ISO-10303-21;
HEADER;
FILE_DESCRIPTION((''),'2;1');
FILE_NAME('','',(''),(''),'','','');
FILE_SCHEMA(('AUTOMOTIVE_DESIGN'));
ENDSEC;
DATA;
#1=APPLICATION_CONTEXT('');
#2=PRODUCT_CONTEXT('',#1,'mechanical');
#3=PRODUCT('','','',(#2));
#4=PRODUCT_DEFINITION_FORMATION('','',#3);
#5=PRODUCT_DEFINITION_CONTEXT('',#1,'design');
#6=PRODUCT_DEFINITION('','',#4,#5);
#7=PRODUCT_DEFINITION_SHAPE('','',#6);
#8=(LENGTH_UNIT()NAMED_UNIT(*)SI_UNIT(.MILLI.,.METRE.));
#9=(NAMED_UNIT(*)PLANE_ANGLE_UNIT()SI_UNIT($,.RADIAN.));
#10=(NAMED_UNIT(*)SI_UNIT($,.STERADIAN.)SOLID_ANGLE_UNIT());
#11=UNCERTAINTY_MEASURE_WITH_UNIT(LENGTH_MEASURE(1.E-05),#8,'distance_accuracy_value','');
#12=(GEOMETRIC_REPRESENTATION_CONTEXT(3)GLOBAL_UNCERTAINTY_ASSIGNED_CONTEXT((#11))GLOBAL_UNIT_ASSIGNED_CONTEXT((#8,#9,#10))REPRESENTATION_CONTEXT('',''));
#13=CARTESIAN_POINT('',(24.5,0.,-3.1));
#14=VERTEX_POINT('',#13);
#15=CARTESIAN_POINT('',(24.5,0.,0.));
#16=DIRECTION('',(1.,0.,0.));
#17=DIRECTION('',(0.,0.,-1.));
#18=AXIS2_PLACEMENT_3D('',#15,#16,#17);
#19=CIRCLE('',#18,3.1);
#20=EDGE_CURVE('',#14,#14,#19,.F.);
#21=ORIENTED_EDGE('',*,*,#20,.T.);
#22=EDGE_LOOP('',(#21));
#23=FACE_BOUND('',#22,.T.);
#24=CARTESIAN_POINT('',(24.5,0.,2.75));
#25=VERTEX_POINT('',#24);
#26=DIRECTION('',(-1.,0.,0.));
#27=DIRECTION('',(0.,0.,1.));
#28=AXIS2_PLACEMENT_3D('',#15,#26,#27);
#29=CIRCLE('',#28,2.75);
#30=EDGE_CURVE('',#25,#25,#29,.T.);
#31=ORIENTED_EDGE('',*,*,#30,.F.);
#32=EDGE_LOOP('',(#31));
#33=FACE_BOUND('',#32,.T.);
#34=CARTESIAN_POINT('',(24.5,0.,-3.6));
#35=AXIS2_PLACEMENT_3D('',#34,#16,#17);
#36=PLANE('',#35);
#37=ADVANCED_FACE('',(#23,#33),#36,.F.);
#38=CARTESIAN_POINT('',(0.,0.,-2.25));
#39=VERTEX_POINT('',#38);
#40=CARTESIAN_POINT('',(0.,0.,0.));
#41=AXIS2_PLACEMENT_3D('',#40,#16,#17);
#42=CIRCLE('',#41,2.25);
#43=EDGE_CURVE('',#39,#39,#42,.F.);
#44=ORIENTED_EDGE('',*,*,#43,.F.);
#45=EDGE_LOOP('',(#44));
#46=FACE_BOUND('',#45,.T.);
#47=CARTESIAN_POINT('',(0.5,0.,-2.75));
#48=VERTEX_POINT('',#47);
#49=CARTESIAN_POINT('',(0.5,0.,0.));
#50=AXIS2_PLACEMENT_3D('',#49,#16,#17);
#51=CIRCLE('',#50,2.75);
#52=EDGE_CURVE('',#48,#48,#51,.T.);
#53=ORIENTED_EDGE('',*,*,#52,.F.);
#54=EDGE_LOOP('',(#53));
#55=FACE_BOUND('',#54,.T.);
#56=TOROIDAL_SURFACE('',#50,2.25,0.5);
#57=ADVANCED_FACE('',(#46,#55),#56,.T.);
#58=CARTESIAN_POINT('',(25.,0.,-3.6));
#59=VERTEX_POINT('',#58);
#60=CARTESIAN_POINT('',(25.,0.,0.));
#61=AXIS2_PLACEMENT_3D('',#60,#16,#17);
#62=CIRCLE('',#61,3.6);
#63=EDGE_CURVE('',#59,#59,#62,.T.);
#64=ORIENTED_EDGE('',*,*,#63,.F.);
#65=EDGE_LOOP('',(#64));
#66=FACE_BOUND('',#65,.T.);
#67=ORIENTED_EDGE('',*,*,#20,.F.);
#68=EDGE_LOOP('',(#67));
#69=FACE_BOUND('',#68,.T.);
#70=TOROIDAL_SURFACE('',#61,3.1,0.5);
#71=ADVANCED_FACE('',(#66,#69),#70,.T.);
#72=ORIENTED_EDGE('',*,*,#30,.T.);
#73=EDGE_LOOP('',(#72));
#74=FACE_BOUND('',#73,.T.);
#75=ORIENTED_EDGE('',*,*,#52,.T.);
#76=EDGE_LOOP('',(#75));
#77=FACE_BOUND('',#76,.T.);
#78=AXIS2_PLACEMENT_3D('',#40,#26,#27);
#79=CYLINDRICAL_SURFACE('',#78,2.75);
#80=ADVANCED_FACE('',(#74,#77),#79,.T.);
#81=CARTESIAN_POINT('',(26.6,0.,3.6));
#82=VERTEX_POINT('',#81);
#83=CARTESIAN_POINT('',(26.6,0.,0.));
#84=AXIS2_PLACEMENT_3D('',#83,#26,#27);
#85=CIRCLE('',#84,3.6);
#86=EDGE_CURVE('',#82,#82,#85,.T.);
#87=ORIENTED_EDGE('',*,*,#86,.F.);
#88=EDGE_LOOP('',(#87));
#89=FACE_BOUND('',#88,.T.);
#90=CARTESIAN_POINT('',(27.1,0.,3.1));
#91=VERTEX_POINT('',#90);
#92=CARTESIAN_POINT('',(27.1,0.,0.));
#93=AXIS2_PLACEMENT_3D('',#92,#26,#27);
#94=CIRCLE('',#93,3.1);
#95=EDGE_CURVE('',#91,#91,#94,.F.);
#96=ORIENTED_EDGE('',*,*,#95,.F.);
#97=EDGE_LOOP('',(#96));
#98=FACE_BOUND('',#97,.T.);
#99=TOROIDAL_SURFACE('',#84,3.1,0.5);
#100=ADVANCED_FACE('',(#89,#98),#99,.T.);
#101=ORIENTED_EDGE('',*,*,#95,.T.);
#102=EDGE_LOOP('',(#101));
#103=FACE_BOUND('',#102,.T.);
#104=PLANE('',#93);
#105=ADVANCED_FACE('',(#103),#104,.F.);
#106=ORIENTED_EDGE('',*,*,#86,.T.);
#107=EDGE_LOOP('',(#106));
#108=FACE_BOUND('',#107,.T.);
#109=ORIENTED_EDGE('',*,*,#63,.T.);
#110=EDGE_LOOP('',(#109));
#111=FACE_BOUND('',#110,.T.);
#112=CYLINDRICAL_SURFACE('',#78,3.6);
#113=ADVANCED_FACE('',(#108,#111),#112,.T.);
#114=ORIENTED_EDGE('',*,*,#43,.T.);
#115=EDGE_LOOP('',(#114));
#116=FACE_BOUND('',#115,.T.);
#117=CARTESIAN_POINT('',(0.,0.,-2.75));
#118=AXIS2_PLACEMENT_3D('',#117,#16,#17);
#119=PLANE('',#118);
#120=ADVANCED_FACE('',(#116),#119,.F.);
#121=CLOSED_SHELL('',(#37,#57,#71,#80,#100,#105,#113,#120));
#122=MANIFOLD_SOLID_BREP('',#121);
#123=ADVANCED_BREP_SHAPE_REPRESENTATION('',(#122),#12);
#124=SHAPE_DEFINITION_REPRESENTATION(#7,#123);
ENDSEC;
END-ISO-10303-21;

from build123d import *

# Parameters (mm, degrees)
FILLET1_R = 0.5
FILLET2_R = 0.5
FILLET3_R = 0.5


with BuildPart() as part:
    # Sketch1 → Revolve1 (revolve)
    with BuildSketch(Plane(origin=(0, 0, 0), x_dir=(1, 0, 0), z_dir=(0, 1, 0)), mode=Mode.PRIVATE) as revolve1_sk:
        Polygon((0, 0), (27.1, 0), (27.1, 3.6), (24.5, 3.6), (24.5, 2.75), (0, 2.75), align=None)
    revolve(revolve1_sk.sketch.rotate(Axis((0, 0, 0), (1, 0, 0)), 180), axis=Axis((0, 0, 0), (1, 0, 0)))

    # Fillet1
    fillet1_edges = [part.edges().sort_by_distance(p)[0] for p in [
        (27.1, 0, -3.6),
    ]]
    fillet(fillet1_edges, radius=FILLET1_R)

    # Fillet2
    fillet2_edges = [part.edges().sort_by_distance(p)[0] for p in [
        (0, 0, -2.75),
    ]]
    fillet(fillet2_edges, radius=FILLET2_R)

    # Fillet3
    fillet3_edges = [part.edges().sort_by_distance(p)[0] for p in [
        (24.5, 0, -3.6),
    ]]
    fillet(fillet3_edges, radius=FILLET3_R)


solid = part.part
